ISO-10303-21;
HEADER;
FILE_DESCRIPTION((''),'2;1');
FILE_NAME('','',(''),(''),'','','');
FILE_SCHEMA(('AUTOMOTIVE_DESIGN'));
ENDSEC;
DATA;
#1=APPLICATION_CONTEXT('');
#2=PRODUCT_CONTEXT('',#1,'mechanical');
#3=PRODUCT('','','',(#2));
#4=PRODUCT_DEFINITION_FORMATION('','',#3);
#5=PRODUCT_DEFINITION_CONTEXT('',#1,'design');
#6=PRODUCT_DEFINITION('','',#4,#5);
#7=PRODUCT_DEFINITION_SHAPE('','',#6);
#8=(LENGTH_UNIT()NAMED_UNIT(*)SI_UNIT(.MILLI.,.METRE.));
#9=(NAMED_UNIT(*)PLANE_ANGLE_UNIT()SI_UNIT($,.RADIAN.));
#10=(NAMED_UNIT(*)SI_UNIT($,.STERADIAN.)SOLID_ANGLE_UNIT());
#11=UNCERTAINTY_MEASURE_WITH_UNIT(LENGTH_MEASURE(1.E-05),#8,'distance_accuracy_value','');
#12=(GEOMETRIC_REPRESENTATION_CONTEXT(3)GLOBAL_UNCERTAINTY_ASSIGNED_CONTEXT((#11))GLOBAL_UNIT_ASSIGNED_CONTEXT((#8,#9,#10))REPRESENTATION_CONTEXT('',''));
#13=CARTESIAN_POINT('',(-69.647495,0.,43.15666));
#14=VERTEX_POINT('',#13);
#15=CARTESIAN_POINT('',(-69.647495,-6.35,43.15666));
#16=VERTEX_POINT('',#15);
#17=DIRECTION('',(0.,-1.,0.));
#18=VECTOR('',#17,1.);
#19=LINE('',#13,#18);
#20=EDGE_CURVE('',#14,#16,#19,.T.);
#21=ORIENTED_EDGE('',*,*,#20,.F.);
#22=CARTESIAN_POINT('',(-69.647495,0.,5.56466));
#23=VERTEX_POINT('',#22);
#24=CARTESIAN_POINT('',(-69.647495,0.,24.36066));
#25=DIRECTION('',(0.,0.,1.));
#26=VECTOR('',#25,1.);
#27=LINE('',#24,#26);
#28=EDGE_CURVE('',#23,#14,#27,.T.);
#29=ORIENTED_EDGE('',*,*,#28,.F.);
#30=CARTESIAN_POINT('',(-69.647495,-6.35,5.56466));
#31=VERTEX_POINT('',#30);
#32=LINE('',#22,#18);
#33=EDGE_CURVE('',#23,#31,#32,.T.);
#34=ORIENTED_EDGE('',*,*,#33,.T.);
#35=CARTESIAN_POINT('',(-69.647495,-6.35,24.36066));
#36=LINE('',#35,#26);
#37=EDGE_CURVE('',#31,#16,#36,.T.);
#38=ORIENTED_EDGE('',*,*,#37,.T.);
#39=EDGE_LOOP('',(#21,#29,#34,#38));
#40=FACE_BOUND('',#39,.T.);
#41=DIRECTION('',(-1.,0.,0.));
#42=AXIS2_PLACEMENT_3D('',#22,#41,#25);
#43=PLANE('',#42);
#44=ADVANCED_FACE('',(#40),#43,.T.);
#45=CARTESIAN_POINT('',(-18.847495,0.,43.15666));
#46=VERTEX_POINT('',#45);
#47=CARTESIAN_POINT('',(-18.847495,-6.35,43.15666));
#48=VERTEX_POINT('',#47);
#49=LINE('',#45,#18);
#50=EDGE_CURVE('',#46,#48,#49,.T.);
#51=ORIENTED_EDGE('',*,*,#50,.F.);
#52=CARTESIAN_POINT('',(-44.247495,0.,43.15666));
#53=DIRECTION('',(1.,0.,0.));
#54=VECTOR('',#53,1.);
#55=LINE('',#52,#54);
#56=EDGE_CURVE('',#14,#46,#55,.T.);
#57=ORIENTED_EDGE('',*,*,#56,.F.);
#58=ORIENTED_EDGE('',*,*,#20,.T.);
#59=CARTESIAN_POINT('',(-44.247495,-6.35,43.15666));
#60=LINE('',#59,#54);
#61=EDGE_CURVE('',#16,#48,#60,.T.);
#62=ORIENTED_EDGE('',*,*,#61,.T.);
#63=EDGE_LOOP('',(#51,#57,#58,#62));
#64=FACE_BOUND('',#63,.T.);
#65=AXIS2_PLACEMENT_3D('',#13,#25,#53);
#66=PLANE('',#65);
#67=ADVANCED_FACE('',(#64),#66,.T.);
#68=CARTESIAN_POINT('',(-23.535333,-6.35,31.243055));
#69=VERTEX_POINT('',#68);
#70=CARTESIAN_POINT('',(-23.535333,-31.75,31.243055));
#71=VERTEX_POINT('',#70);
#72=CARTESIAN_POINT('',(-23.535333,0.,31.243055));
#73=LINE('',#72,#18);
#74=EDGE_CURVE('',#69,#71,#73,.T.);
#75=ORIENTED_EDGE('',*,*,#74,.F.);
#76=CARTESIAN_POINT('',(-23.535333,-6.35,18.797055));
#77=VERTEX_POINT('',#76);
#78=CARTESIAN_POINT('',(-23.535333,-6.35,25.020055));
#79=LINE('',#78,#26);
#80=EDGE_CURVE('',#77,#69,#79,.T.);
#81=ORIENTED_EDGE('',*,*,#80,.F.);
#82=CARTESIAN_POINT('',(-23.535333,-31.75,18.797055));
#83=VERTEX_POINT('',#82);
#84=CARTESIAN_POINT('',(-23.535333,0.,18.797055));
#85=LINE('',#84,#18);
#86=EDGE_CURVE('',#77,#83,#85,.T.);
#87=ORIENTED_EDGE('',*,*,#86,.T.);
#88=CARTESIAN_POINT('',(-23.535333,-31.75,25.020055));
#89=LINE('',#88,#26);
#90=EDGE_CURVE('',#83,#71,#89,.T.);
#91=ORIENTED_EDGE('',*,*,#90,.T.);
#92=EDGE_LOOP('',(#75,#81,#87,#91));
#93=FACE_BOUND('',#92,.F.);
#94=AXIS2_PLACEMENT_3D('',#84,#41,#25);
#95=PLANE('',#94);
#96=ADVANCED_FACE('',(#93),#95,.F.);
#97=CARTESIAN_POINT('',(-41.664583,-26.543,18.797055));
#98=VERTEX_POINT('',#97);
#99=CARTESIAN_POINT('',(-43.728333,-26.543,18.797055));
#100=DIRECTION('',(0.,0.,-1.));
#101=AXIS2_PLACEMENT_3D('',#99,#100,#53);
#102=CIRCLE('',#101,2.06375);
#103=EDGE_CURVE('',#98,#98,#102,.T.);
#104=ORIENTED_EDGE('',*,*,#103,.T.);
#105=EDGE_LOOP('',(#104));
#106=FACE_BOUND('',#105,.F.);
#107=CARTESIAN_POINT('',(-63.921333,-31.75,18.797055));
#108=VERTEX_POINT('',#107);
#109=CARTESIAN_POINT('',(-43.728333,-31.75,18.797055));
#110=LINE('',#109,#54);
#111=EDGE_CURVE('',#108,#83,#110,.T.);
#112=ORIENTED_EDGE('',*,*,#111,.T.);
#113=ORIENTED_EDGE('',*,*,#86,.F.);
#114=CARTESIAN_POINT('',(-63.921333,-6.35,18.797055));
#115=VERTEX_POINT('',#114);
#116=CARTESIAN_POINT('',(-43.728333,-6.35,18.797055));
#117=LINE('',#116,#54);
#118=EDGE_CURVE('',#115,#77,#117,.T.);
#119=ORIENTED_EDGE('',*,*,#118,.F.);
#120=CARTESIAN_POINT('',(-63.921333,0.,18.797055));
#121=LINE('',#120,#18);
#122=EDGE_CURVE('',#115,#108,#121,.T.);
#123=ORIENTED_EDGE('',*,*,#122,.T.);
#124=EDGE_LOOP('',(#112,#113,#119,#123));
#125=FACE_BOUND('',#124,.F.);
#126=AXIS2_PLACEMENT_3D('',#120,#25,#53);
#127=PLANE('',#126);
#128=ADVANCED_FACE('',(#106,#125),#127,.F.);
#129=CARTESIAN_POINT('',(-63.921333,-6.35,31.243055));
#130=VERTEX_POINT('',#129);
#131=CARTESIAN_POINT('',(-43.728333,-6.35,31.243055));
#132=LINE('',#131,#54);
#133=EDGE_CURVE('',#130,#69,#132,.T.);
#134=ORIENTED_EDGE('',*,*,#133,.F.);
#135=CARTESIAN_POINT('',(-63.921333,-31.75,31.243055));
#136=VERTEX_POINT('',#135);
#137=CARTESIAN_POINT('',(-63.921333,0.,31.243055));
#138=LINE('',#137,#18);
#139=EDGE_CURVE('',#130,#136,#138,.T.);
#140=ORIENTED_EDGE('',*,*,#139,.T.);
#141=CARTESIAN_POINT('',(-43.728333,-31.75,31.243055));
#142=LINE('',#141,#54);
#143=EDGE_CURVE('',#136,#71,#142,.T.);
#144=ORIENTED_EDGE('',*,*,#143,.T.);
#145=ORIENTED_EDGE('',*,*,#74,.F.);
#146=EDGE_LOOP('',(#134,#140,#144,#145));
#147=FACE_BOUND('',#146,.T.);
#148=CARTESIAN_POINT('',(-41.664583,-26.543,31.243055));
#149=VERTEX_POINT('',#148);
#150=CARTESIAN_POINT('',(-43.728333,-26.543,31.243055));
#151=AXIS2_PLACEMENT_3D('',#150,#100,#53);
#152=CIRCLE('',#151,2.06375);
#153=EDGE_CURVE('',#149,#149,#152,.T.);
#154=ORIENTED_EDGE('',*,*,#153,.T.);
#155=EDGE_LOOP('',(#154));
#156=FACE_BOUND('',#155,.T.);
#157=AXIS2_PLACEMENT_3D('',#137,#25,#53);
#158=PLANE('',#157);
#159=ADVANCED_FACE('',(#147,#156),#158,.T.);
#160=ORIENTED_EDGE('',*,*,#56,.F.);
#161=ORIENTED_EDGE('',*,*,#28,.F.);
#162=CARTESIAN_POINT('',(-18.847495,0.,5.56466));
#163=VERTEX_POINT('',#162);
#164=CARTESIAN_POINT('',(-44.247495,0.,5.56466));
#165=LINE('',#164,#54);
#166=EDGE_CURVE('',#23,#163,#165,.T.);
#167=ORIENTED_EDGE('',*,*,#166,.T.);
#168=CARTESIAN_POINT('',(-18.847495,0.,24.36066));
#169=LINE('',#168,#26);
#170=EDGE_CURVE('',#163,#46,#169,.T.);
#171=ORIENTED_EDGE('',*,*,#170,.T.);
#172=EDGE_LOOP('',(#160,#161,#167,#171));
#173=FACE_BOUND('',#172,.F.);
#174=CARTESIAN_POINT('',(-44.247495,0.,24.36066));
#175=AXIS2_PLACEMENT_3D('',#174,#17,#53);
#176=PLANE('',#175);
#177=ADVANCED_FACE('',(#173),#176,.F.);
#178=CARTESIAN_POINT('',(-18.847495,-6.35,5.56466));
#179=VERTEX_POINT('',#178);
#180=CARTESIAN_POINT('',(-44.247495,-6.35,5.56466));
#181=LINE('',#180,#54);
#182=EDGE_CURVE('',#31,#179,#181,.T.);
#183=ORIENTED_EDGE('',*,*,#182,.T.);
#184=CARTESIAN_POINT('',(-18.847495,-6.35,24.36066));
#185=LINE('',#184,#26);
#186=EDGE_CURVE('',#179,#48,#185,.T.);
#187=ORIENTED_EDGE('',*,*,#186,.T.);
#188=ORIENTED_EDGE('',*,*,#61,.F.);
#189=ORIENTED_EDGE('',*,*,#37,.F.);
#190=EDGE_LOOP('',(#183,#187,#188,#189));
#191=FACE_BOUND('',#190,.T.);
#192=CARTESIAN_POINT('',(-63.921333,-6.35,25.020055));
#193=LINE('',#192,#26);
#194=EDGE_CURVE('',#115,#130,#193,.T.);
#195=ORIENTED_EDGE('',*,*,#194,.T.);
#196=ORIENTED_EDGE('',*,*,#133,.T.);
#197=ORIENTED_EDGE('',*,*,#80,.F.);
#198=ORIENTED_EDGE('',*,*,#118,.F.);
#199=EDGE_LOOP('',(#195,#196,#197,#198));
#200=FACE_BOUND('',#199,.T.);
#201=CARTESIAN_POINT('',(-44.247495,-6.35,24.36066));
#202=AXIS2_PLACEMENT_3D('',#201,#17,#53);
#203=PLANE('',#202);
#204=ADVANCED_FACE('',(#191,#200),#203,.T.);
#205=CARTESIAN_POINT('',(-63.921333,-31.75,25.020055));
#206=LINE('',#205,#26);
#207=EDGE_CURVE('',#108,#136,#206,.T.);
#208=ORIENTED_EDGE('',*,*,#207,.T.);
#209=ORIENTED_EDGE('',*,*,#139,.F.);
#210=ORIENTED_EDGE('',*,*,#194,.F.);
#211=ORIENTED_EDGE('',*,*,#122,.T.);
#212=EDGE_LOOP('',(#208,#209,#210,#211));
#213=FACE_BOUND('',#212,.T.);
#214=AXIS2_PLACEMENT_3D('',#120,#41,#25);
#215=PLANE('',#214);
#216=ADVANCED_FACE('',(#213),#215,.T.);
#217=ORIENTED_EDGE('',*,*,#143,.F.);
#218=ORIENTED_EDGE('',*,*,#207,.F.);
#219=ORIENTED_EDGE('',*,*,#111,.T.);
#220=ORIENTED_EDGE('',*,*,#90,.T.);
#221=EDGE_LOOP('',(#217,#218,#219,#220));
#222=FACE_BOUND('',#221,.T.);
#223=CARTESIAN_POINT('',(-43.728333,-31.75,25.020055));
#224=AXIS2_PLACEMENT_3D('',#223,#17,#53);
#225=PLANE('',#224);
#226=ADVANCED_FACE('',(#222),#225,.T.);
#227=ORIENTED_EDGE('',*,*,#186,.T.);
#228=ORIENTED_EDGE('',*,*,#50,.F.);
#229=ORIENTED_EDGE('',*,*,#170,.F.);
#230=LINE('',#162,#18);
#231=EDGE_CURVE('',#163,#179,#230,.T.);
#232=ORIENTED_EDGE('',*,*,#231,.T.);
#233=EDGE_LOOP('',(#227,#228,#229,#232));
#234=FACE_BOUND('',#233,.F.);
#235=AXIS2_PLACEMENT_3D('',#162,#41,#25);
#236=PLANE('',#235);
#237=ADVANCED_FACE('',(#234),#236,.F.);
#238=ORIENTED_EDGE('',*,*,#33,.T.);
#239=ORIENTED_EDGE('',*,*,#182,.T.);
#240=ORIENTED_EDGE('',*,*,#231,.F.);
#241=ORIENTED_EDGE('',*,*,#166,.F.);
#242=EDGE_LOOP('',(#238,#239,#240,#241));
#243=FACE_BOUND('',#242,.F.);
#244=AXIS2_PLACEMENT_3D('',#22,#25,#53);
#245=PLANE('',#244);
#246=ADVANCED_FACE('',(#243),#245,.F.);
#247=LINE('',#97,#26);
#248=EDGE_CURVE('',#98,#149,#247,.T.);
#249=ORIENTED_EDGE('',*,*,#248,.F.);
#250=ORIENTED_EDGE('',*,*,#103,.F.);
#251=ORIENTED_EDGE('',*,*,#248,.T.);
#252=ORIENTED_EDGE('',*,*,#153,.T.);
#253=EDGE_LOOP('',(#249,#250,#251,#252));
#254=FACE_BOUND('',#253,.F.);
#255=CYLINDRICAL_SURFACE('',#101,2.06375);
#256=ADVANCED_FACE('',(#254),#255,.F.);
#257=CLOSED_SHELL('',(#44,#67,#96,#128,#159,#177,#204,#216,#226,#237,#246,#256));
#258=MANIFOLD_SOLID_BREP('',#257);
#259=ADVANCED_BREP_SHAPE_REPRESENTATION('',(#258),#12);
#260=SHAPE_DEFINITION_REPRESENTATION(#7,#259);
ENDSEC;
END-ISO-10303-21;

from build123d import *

# Parameters (mm, degrees)
F0_W     = 40.386
F0_H     = 12.446
F1_DEPTH = 31.75
F0_W_2   = 50.8
F0_H_2   = 37.592
F2_DEPTH = 6.35
F3_R     = 2.06375
F4_DEPTH = 62.67391


with BuildPart() as f1:
    # F0 (on Front) → F1 (new body)
    with BuildSketch(Plane.XZ):
        with Locations((-43.728333, 25.020055)):
            Rectangle(F0_W, F0_H)
    extrude(amount=F1_DEPTH)

    # F0 (on Front) → F2 (join)
    with BuildSketch(Plane.XZ):
        with Locations((-44.247495, 24.36066)):
            Rectangle(F0_W_2, F0_H_2)
        with Locations((-43.728333, 25.020055)):
            Rectangle(F0_W, F0_H, mode=Mode.SUBTRACT)
    extrude(amount=F2_DEPTH)

    # F3 (on face) → F4 (cut)
    with BuildSketch(Plane(origin=(0, 0, 18.797055), x_dir=(1, 0, 0), z_dir=(0, 0, -1))):
        with Locations((-43.728333, 26.543)):
            Circle(F3_R)
    extrude(amount=-F4_DEPTH, mode=Mode.SUBTRACT)


solid = f1.part
